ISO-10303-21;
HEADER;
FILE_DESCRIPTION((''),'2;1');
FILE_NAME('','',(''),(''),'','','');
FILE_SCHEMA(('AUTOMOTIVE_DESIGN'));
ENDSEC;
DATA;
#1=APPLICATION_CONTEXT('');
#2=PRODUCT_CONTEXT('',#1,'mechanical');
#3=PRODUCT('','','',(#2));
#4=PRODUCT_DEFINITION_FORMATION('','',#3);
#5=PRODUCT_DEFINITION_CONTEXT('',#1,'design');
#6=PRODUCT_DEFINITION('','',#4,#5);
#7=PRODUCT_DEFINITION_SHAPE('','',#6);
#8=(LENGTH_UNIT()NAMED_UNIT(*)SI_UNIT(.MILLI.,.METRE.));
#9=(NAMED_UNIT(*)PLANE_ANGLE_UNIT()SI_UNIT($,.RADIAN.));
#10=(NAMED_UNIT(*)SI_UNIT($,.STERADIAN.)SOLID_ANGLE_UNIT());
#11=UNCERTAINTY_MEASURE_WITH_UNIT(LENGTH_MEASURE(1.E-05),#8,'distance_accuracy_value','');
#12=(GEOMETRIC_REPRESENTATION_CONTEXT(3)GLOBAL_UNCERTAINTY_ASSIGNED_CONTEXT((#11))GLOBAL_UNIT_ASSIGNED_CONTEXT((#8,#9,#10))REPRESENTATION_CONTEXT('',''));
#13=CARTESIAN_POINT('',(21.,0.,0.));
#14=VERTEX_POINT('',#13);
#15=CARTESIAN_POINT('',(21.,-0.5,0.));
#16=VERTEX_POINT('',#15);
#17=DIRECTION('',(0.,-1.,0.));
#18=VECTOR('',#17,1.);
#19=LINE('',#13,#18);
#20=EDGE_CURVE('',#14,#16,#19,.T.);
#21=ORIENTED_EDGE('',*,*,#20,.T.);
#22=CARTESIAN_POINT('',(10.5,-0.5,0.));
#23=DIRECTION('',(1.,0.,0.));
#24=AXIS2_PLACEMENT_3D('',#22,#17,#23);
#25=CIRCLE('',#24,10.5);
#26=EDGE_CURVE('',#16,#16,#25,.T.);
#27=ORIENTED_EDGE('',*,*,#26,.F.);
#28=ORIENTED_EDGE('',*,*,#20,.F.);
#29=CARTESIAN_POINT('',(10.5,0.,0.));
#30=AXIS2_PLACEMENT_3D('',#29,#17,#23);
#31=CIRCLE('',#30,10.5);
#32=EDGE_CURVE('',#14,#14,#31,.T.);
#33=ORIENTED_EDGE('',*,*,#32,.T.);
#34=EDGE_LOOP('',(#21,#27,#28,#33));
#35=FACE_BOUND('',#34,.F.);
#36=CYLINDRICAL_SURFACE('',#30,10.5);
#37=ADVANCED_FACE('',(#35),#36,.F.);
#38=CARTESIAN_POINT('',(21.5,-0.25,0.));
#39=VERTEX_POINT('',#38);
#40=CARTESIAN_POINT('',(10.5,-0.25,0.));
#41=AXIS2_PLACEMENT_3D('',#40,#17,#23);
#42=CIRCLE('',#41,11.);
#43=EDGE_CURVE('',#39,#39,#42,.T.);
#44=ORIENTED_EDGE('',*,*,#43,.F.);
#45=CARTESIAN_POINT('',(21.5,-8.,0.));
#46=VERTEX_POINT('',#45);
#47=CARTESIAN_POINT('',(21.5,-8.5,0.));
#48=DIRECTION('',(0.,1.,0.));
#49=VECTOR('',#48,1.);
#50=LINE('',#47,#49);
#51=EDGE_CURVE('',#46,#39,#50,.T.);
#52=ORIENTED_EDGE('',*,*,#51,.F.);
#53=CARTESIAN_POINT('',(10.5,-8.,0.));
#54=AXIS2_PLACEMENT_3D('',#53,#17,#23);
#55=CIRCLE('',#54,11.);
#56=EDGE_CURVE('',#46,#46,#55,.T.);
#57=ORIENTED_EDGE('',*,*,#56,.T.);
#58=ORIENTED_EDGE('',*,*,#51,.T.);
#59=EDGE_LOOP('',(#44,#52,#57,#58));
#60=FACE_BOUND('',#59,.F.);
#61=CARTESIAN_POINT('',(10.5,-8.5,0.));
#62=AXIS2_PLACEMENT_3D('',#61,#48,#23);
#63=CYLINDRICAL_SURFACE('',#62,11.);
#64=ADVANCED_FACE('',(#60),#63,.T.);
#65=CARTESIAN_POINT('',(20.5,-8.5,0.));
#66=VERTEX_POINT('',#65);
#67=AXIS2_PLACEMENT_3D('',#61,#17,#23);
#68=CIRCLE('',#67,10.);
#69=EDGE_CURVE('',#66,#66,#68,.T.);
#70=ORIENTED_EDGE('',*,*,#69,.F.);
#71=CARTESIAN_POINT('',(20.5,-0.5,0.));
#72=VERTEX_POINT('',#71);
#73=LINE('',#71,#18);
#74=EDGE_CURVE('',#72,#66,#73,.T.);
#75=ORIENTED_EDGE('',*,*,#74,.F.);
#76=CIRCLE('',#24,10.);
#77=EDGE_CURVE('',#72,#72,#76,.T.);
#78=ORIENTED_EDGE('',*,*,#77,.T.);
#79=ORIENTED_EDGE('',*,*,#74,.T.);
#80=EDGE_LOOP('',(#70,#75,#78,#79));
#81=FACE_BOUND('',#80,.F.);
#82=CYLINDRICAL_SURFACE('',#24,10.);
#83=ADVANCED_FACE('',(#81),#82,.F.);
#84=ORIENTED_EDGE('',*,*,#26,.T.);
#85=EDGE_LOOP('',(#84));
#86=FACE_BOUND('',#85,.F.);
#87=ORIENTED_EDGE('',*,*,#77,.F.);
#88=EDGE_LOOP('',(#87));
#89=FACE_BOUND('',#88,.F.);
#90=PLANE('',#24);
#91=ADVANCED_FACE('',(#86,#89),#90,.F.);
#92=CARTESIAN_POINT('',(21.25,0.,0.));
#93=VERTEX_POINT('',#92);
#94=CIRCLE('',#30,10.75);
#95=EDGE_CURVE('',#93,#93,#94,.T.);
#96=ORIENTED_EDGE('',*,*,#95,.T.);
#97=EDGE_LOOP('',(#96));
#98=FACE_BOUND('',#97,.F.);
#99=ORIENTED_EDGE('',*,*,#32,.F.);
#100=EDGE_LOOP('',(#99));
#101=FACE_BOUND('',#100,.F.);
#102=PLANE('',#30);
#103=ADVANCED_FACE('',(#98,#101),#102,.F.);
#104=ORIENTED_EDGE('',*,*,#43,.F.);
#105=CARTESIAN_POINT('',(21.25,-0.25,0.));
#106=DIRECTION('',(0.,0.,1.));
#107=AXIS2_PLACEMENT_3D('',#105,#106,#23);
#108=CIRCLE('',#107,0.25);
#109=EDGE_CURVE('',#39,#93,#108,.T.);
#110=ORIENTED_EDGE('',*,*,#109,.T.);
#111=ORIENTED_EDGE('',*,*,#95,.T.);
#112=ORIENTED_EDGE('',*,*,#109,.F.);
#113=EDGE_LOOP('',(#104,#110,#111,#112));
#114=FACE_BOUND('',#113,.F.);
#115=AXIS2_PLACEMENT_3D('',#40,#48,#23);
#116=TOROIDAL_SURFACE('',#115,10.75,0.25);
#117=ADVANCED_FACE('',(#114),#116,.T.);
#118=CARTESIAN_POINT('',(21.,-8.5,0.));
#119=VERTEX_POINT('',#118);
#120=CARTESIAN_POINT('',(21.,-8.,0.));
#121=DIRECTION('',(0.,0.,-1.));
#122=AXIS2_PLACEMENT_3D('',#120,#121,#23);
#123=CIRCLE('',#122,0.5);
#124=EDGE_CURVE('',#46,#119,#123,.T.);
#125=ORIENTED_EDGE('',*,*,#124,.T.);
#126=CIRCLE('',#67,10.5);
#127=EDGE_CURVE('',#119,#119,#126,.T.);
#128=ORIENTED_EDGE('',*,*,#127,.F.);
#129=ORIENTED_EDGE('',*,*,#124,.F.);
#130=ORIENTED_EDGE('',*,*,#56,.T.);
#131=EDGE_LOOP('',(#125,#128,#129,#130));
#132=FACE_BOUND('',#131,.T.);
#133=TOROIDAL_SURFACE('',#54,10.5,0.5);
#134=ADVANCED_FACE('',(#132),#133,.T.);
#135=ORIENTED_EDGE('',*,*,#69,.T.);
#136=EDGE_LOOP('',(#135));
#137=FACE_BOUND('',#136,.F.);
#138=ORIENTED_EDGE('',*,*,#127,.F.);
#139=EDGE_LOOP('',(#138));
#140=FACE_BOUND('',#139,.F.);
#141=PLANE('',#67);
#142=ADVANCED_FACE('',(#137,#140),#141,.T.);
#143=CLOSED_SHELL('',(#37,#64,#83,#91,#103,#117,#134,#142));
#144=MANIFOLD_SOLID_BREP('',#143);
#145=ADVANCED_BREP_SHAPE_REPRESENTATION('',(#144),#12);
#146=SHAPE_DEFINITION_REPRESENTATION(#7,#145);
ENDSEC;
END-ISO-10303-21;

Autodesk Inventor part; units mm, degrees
ref_plane "YZ Plane" through (0, 0, 0) normal (1, 0, 0) x (0, 1, 0)
ref_plane "XZ Plane" through (0, 0, 0) normal (0, 1, 0) x (-1, 0, 0)
ref_plane "XY Plane" through (0, 0, 0) normal (0, 0, 1) x (1, 0, 0)
sketch "Sketch1" plane through (0, 0, 0) normal (0, 0, 1) x (1, 0, 0)
  line L0 (10.5, 0) -> (21, 0) construction
  line L1 (10.5, 0) -> (21, 0) construction
  line L2 (21, 0) -> (21, -0.5)
  line L3 (21, -0.5) -> (20.5, -0.5)
  line L4 (20.5, -0.5) -> (20.5, -8.5)
  line L5 (20.5, -8.5) -> (21.5, -8.5)
  line L6 (21.5, -8.5) -> (21.5, 0)
  line L7 (21.5, 0) -> (21, 0)
  line L8 (10.5, 0) -> (10.5, -8) construction
  line L9 (10.5, 0) -> (18.5, 0) construction
  point P0 (0, 0)
  dimension "d1" = 0
  dimension "d2" = 0.5
  dimension "d3" = 90
  dimension "d4" = 0.5
  dimension "d5" = 270
  dimension "d6" = 8
  dimension "d7" = 1
  dimension "d8" = 8.5
  dimension "d9" = 8
  dimension "d10" = 90
  dimension "d11" = 10.5
revolve "Revolution1" add sketch "Sketch1" angle 360 about axis through (10.5, 0, 0) along (0, -1, 0)
fillet "Fillet1" radius 0.5 1 edges at (-0.5, -8.5, 0)
fillet "Fillet2" radius 0.25 1 edges at (-0.5, 0, 0)
properties part number "TIRE"
